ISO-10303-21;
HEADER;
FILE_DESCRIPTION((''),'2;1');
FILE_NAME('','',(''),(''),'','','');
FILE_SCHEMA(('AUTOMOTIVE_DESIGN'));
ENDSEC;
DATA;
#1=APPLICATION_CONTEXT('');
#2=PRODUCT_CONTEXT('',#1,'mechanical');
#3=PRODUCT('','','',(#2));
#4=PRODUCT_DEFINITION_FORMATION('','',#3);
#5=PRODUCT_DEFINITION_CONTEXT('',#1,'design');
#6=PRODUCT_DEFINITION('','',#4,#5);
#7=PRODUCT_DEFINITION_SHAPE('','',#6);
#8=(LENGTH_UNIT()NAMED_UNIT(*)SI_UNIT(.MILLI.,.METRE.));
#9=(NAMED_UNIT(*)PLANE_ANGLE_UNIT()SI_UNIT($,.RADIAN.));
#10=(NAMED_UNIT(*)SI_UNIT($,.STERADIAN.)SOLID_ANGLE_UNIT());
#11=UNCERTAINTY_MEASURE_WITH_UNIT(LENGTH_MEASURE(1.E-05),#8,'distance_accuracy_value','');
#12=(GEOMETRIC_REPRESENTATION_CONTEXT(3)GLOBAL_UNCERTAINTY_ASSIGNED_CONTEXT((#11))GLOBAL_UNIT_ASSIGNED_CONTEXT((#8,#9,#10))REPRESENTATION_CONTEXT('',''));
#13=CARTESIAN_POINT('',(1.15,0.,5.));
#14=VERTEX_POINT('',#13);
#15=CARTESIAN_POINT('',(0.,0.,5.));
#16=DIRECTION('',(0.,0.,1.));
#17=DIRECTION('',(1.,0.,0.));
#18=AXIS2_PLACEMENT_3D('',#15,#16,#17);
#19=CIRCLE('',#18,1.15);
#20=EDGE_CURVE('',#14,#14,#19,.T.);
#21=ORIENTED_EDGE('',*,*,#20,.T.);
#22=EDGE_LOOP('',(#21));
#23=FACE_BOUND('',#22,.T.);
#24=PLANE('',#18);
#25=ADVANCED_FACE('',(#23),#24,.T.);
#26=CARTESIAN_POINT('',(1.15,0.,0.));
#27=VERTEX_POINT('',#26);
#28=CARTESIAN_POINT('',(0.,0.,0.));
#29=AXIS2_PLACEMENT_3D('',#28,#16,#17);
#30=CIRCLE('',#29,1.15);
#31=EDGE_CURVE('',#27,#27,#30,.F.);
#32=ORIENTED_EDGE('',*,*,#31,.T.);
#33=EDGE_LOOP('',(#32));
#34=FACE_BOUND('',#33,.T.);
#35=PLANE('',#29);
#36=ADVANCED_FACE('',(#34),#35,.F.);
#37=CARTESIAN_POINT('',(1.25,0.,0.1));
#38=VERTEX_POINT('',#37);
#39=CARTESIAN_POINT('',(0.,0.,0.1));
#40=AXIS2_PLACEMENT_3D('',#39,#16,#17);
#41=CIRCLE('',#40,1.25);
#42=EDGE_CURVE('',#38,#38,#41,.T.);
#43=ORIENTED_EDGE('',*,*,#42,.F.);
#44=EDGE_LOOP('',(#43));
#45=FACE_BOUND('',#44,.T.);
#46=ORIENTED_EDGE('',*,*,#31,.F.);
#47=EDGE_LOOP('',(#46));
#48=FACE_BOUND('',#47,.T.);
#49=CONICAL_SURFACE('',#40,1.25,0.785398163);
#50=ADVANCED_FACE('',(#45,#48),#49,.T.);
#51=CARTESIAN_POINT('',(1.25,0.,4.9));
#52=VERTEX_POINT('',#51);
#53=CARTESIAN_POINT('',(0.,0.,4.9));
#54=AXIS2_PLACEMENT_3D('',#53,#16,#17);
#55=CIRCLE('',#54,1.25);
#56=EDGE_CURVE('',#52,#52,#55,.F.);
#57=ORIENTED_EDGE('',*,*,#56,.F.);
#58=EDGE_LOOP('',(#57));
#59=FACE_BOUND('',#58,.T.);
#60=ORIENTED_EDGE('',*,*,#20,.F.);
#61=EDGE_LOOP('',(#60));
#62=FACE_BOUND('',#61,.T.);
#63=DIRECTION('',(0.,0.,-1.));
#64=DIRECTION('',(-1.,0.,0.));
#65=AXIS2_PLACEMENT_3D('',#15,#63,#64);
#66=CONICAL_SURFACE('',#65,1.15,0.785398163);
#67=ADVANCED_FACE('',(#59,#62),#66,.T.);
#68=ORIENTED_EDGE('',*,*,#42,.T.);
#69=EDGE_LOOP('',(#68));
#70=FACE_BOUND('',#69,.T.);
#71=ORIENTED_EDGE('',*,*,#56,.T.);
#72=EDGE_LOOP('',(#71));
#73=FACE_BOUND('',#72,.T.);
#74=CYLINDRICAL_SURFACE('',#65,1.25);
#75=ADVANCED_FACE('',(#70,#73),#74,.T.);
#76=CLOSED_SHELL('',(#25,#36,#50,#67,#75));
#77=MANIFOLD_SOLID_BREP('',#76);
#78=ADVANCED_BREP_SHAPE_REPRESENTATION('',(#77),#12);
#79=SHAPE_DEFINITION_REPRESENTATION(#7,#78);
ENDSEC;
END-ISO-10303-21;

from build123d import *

# Parameters (mm, degrees)
SKETCH1_R           = 1.25
BOSS_EXTRUDE1_DEPTH = 5
CHAMFER1_SIZE       = 0.1


with BuildPart() as part:
    # Sketch1 → Boss-Extrude1 (new body)
    with BuildSketch(Plane.XY):
        Circle(SKETCH1_R)
    extrude(amount=BOSS_EXTRUDE1_DEPTH)

    # Chamfer1
    chamfer1_edges = [part.edges().sort_by_distance(p)[0] for p in [
        (-1.25, 0, 0),
        (-1.25, 0, 5),
    ]]
    chamfer(chamfer1_edges, length=CHAMFER1_SIZE)


solid = part.part
